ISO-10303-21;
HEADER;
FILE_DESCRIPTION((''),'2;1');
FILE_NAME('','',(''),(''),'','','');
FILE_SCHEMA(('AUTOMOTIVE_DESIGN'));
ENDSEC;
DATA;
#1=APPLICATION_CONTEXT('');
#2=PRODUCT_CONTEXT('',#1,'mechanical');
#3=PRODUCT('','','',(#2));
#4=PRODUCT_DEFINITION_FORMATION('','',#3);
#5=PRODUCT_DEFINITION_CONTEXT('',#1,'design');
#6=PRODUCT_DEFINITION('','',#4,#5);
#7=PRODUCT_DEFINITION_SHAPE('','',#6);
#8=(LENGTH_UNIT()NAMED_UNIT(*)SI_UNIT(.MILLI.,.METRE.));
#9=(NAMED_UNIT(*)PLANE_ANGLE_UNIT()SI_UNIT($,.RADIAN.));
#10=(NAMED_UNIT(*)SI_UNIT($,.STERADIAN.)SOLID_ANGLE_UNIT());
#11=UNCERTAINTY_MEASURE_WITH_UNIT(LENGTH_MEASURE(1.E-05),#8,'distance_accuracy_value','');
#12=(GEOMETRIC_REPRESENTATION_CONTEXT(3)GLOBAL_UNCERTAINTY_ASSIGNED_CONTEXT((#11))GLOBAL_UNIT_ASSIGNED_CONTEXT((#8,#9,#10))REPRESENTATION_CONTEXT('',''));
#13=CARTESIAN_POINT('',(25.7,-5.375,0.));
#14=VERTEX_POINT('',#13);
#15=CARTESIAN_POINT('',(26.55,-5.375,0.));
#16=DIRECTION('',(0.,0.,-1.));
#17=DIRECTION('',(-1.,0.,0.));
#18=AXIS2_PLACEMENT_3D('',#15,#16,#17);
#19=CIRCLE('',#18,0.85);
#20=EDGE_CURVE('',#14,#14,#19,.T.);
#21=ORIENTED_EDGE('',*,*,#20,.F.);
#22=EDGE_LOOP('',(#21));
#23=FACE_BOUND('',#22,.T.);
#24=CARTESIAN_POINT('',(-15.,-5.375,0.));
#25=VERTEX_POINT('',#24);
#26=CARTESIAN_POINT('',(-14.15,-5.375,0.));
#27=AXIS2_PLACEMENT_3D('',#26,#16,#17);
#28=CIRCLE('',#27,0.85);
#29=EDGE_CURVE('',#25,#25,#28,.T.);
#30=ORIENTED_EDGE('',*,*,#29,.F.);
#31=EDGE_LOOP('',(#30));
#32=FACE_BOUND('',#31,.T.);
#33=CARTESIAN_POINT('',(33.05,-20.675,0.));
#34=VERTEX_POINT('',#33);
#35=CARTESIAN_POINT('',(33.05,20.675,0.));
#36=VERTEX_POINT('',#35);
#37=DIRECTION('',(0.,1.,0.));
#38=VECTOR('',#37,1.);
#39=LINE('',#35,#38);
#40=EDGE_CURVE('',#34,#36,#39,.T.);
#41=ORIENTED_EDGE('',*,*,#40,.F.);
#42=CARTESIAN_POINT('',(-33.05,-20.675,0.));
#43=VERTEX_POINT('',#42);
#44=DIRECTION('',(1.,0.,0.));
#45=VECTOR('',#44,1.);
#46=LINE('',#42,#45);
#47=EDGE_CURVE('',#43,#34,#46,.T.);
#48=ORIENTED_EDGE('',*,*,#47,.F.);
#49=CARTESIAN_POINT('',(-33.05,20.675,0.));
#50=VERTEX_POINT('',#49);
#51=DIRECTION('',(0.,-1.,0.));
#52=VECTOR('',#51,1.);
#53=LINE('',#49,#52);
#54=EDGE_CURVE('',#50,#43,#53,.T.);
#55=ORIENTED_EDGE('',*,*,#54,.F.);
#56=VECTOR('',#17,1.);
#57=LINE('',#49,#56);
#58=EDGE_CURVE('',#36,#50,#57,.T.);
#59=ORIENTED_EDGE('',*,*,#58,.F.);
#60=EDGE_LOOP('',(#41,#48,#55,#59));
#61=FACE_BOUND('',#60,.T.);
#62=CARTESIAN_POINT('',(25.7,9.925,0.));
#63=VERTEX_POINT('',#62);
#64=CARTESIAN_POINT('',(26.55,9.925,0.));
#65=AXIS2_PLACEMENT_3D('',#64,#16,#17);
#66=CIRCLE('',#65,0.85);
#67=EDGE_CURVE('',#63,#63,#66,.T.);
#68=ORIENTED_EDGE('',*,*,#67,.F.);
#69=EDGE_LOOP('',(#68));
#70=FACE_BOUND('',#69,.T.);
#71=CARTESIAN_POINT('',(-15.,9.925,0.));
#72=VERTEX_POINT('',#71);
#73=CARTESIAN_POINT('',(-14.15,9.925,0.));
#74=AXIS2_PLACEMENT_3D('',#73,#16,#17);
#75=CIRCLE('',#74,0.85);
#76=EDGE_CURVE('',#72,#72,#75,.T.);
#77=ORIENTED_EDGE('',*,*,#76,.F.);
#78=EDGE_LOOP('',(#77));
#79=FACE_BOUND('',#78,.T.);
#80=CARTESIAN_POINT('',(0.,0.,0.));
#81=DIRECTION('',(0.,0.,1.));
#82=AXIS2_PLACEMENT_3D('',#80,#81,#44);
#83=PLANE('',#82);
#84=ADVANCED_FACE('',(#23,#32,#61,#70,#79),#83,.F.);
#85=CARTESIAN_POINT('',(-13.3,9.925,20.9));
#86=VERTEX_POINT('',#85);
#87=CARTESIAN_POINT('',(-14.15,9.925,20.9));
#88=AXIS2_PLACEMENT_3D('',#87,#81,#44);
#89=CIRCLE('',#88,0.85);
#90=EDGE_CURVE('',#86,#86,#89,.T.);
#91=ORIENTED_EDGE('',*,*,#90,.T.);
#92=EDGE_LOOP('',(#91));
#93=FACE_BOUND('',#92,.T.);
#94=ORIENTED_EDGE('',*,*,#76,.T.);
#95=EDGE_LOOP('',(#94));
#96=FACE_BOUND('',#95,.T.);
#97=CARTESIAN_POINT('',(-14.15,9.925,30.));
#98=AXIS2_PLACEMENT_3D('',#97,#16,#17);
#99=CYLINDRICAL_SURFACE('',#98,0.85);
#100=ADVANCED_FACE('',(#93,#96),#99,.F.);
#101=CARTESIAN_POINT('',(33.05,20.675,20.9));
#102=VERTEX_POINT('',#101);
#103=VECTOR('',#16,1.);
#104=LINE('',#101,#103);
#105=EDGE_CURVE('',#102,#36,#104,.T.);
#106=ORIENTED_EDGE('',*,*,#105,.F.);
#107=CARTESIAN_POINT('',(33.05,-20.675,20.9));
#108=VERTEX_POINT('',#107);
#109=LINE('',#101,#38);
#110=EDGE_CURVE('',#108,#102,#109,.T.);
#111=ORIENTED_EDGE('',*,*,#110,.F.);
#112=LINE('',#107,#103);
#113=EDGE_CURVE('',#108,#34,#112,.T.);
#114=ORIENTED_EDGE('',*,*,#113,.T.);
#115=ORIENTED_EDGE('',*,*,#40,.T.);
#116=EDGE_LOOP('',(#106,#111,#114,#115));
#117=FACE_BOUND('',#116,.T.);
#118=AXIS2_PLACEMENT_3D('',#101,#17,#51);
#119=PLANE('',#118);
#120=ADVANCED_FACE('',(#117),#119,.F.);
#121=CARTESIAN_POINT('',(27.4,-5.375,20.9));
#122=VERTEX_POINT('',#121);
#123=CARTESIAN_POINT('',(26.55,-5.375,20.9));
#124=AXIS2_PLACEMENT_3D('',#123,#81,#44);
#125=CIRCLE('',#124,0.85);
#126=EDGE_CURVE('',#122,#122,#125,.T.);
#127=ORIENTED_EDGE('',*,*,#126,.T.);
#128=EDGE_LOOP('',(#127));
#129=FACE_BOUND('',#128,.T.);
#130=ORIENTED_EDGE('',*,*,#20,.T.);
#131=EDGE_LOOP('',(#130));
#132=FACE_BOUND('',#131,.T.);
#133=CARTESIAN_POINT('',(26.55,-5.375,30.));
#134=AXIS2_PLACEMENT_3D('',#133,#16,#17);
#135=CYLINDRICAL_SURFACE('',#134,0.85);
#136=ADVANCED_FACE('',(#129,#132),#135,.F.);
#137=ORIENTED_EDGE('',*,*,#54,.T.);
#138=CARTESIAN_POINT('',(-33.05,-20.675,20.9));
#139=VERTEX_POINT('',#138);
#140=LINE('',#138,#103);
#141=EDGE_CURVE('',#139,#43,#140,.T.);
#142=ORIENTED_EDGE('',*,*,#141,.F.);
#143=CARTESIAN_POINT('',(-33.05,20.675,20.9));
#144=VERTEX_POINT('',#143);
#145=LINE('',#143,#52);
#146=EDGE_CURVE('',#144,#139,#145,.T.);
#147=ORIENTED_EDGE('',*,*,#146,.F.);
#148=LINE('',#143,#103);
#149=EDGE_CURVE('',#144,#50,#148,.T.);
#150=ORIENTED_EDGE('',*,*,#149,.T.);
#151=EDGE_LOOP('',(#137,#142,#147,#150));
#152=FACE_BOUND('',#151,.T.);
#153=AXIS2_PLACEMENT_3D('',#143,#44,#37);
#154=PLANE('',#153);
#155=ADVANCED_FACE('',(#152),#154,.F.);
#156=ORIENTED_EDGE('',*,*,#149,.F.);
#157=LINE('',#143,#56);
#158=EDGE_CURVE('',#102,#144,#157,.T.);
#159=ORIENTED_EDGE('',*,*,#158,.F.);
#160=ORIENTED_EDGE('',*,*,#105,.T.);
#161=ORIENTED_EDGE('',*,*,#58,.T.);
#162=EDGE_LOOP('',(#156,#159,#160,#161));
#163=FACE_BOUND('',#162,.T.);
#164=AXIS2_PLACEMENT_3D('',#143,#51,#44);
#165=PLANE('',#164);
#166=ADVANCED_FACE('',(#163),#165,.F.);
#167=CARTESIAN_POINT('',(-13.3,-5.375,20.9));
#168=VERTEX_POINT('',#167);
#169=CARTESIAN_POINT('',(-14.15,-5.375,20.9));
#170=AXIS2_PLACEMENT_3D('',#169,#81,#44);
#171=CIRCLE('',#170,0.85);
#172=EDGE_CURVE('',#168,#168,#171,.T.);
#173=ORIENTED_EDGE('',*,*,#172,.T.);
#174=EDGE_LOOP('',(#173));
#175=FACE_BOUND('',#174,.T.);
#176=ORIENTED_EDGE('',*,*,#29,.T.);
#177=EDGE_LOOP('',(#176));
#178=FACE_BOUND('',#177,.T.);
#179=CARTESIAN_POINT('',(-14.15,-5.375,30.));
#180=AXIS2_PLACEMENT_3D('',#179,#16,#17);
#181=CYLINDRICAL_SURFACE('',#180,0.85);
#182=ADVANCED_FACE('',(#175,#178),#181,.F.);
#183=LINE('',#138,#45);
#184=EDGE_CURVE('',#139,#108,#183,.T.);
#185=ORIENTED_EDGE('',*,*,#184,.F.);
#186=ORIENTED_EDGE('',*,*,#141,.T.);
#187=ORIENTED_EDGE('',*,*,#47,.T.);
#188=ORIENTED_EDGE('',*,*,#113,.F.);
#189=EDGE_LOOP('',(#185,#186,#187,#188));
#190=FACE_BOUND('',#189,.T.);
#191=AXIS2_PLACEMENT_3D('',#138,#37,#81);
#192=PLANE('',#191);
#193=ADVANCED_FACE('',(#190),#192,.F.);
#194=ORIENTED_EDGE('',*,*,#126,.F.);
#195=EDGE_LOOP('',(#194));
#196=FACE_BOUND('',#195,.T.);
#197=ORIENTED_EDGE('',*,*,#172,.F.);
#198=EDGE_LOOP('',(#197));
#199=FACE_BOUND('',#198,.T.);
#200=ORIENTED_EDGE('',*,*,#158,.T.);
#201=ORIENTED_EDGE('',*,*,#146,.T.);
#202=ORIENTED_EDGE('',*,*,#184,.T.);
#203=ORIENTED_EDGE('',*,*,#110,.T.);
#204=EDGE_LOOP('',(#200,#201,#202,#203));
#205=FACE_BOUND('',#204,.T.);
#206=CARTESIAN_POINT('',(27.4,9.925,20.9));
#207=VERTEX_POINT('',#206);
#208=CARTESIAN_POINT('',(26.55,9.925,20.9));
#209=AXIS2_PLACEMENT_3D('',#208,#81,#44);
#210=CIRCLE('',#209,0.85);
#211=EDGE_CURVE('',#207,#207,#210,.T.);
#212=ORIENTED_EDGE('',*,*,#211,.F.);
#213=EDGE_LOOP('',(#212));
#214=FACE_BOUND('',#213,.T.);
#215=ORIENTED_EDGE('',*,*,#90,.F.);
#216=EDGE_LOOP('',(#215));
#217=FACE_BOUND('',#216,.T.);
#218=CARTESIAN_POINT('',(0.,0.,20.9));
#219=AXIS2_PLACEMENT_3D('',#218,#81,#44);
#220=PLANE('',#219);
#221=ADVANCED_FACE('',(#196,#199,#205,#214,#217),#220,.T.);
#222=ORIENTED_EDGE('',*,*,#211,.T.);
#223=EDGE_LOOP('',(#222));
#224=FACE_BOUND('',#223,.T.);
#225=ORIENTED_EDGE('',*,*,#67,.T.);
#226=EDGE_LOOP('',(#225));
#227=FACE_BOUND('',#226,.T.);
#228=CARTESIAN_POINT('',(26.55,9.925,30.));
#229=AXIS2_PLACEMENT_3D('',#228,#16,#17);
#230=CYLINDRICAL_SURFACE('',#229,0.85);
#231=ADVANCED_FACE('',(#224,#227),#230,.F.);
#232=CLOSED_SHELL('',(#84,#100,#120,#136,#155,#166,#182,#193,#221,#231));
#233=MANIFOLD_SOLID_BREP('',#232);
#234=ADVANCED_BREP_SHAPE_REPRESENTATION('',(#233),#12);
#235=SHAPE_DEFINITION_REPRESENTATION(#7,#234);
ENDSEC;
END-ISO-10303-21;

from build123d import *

# Parameters (mm, degrees)
SKETCH1_W           = 66.1
SKETCH1_H           = 41.35
BOSS_EXTRUDE1_DEPTH = 20.9
SKETCH2_R           = 0.85
CUT_EXTRUDE1_DEPTH  = 30


with BuildPart() as part:
    # Sketch1 → Boss-Extrude1 (new body)
    with BuildSketch(Plane.XY):
        Rectangle(SKETCH1_W, SKETCH1_H)
    extrude(amount=BOSS_EXTRUDE1_DEPTH)

    # Sketch2 → Cut-Extrude1 (cut)
    with BuildSketch(Plane(origin=(0, 0, 0), x_dir=(-1, 0, 0), z_dir=(0, 0, -1))):
        with Locations((-26.55, 9.925)):
            Circle(SKETCH2_R)
        with Locations((-26.55, -5.375)):
            Circle(SKETCH2_R)
        with Locations((14.15, 9.925)):
            Circle(SKETCH2_R)
        with Locations((14.15, -5.375)):
            Circle(SKETCH2_R)
    extrude(amount=-CUT_EXTRUDE1_DEPTH, mode=Mode.SUBTRACT)


solid = part.part
